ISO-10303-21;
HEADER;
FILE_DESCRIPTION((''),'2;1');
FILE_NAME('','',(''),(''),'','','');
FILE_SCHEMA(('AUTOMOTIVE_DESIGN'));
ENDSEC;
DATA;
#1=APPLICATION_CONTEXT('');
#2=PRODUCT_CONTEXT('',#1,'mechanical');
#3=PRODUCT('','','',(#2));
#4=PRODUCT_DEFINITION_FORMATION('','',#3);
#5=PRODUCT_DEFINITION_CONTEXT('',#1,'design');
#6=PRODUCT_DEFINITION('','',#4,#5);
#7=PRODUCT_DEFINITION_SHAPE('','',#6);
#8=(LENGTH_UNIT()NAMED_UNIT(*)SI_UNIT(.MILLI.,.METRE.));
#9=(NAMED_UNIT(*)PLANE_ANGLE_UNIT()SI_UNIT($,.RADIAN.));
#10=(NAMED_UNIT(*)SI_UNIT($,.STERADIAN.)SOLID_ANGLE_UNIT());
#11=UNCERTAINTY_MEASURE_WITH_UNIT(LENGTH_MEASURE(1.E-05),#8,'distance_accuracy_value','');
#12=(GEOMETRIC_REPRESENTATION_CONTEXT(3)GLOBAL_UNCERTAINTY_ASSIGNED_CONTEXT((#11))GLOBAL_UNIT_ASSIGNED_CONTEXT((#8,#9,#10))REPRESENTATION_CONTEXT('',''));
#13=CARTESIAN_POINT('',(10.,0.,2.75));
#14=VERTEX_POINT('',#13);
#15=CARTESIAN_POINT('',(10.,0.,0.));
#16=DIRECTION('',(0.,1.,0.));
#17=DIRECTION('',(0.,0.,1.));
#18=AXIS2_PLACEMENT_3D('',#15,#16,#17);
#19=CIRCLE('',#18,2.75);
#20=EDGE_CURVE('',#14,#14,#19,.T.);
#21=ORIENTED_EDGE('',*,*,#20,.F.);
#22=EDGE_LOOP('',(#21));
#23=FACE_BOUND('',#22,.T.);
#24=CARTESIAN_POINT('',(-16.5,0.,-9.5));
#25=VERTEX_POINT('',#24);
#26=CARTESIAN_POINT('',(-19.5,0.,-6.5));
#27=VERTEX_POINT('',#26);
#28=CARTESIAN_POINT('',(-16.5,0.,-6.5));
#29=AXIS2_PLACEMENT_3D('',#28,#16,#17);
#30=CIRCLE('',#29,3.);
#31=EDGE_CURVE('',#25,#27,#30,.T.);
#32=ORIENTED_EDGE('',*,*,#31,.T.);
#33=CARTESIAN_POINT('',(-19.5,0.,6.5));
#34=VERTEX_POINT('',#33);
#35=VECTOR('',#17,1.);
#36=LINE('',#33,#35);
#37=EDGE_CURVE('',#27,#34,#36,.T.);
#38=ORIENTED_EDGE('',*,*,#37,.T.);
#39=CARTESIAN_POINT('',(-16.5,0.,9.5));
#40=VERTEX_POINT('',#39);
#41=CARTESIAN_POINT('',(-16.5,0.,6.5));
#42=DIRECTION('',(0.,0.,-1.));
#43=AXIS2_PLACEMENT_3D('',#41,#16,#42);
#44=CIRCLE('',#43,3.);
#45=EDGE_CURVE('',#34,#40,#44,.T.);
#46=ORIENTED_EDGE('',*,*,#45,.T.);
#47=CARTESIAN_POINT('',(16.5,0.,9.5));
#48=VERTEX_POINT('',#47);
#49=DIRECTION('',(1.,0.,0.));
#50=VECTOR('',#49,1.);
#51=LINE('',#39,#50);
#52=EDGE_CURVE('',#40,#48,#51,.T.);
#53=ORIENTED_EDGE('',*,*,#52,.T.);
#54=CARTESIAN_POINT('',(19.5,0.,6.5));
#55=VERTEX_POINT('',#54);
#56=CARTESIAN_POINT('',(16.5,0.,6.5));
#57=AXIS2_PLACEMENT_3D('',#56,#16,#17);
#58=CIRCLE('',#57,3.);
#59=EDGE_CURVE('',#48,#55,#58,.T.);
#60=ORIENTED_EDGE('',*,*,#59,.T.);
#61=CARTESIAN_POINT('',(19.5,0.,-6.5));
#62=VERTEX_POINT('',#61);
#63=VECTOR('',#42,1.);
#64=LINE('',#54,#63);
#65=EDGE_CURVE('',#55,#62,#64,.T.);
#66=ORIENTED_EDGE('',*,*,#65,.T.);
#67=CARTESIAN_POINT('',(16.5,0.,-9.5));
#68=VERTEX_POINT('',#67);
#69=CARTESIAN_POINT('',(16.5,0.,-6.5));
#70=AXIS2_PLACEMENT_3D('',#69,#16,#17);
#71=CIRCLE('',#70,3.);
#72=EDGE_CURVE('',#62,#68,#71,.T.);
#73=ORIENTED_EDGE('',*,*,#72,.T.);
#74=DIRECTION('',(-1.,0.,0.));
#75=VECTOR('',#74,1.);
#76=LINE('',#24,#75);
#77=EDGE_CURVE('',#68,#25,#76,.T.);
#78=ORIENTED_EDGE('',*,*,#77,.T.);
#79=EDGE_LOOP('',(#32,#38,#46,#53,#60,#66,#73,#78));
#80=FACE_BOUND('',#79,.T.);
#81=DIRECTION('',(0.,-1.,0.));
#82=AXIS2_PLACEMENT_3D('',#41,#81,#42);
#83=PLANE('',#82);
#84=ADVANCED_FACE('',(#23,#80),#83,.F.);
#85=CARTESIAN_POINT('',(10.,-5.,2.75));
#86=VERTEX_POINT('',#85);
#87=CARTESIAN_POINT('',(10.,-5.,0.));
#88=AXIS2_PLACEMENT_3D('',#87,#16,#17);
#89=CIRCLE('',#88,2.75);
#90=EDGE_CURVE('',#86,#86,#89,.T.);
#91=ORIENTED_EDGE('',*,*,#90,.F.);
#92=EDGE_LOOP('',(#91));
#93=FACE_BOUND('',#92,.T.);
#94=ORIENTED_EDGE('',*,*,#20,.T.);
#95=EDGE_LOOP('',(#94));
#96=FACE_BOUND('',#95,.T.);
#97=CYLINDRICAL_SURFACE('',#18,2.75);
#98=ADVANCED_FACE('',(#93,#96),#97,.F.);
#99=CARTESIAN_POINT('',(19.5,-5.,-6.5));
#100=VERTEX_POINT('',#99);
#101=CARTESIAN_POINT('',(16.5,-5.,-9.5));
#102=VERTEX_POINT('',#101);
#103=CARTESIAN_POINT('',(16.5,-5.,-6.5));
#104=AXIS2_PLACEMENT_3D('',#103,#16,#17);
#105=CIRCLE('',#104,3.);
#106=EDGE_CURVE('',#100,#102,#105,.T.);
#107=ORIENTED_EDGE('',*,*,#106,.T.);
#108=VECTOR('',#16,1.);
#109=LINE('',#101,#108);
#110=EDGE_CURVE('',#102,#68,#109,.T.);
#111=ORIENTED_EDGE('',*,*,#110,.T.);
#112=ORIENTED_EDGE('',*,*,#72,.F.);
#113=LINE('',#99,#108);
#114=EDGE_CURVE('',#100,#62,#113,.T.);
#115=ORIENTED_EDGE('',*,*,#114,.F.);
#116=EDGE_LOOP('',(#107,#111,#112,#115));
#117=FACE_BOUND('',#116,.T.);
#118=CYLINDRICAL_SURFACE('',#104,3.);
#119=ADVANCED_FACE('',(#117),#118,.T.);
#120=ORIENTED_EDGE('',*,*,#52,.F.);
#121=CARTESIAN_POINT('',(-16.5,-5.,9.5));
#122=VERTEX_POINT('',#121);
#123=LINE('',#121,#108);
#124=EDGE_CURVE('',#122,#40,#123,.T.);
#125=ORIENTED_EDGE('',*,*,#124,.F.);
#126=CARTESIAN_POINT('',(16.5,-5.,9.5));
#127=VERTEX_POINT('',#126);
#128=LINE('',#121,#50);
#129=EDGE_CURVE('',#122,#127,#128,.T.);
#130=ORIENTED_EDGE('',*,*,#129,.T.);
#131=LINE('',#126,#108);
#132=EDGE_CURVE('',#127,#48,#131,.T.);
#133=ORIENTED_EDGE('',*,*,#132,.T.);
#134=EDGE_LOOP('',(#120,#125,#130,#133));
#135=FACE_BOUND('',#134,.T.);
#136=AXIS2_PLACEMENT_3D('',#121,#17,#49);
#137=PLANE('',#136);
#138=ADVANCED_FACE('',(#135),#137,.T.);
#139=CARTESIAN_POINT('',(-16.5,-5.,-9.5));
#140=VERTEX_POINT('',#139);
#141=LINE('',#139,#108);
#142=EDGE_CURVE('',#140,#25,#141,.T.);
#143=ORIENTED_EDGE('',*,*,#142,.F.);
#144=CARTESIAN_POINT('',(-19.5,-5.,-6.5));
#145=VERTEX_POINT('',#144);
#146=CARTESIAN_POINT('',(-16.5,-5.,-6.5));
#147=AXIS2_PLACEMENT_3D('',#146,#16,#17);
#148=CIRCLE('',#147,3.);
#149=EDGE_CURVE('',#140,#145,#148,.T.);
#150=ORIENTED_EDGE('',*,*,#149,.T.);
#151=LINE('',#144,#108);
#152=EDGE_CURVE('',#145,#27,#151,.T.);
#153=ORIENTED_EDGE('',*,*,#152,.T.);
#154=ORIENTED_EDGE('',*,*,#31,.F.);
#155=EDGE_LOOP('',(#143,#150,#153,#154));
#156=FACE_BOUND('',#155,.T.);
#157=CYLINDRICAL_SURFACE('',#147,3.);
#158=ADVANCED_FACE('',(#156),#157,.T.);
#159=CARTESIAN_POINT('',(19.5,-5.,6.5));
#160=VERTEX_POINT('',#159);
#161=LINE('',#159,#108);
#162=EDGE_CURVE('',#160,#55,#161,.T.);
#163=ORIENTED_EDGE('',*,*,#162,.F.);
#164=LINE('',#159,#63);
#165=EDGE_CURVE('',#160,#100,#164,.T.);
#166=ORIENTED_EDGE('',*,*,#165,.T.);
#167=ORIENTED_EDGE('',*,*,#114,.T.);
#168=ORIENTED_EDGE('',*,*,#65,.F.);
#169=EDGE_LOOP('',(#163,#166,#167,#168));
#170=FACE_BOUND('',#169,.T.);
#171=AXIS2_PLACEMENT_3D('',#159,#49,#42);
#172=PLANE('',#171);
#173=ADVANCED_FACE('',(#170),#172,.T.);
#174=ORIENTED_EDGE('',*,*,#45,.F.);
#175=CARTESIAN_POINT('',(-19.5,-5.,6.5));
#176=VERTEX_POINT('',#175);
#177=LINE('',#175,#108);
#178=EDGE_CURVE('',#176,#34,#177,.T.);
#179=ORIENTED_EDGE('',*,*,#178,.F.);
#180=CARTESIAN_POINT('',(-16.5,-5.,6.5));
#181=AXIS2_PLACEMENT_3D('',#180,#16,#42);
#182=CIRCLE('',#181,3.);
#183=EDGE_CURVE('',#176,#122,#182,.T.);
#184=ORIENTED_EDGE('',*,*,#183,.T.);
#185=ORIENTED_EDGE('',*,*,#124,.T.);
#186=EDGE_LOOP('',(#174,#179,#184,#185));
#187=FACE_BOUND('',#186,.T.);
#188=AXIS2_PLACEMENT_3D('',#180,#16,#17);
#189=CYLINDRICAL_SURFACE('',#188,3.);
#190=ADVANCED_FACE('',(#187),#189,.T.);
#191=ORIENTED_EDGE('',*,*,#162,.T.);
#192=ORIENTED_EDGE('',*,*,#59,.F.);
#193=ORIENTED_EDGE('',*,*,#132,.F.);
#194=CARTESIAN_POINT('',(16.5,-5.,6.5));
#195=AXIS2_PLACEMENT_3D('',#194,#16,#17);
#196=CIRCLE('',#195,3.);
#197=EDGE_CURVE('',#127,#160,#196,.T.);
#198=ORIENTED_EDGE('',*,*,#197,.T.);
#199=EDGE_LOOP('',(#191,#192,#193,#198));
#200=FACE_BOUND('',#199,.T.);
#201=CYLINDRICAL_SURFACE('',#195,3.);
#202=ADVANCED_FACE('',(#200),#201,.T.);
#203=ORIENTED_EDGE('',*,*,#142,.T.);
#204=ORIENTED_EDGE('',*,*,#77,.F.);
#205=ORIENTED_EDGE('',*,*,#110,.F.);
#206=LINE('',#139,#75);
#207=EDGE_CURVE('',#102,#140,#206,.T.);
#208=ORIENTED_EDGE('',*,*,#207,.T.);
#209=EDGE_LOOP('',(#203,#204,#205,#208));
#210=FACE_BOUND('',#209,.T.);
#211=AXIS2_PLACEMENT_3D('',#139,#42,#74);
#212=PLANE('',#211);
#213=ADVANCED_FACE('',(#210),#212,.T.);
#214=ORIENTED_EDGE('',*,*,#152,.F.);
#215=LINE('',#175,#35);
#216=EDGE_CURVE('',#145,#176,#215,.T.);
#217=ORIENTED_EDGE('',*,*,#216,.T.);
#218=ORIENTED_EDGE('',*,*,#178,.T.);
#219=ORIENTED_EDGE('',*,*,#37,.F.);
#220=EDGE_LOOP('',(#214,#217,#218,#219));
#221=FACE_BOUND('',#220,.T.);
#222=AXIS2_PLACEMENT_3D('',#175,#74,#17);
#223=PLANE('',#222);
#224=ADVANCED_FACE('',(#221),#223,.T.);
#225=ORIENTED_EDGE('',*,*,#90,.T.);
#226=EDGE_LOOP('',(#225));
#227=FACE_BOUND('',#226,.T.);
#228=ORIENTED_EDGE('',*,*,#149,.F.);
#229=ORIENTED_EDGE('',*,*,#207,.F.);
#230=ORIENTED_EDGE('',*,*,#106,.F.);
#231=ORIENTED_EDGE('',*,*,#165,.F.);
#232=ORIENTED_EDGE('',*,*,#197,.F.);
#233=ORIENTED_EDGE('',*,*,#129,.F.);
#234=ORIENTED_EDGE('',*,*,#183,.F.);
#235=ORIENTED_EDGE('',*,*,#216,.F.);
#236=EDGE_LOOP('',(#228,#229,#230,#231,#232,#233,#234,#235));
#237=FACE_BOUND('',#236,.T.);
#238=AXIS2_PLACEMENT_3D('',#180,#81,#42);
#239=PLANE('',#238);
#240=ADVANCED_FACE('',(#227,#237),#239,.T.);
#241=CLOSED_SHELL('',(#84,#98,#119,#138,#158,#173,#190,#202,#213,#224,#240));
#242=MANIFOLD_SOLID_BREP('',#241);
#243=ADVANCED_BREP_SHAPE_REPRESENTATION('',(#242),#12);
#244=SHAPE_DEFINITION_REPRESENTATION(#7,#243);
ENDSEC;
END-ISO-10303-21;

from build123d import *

# Parameters (mm, degrees)
PROFILE_DEPTH = 5
M5_HOLE_D     = 5.5


with BuildPart() as part:
    # Profile Sketch → Profile (new body)
    with BuildSketch(Plane(origin=(0, 0, 0), x_dir=(1, 0, 0), z_dir=(0, 1, 0))):
        with BuildLine():
            Line((-16.5, -9.5), (16.5, -9.5))
            ThreePointArc((16.5, -9.5), (18.621320344, -8.621320344), (19.5, -6.5))
            Line((19.5, -6.5), (19.5, 6.5))
            ThreePointArc((19.5, 6.5), (18.621320344, 8.621320344), (16.5, 9.5))
            Line((16.5, 9.5), (-16.5, 9.5))
            ThreePointArc((-16.5, 9.5), (-18.621320344, 8.621320344), (-19.5, 6.5))
            Line((-19.5, 6.5), (-19.5, -6.5))
            ThreePointArc((-19.5, -6.5), (-18.621320344, -8.621320344), (-16.5, -9.5))
        make_face()
    extrude(amount=-PROFILE_DEPTH)

    # M5 Hole (through all)
    with Locations(Plane(origin=(0, 0, 0), x_dir=(1, 0, 0), z_dir=(0, 1, 0))):
        with Locations((10, 0)):
            Hole(M5_HOLE_D / 2)


solid = part.part
